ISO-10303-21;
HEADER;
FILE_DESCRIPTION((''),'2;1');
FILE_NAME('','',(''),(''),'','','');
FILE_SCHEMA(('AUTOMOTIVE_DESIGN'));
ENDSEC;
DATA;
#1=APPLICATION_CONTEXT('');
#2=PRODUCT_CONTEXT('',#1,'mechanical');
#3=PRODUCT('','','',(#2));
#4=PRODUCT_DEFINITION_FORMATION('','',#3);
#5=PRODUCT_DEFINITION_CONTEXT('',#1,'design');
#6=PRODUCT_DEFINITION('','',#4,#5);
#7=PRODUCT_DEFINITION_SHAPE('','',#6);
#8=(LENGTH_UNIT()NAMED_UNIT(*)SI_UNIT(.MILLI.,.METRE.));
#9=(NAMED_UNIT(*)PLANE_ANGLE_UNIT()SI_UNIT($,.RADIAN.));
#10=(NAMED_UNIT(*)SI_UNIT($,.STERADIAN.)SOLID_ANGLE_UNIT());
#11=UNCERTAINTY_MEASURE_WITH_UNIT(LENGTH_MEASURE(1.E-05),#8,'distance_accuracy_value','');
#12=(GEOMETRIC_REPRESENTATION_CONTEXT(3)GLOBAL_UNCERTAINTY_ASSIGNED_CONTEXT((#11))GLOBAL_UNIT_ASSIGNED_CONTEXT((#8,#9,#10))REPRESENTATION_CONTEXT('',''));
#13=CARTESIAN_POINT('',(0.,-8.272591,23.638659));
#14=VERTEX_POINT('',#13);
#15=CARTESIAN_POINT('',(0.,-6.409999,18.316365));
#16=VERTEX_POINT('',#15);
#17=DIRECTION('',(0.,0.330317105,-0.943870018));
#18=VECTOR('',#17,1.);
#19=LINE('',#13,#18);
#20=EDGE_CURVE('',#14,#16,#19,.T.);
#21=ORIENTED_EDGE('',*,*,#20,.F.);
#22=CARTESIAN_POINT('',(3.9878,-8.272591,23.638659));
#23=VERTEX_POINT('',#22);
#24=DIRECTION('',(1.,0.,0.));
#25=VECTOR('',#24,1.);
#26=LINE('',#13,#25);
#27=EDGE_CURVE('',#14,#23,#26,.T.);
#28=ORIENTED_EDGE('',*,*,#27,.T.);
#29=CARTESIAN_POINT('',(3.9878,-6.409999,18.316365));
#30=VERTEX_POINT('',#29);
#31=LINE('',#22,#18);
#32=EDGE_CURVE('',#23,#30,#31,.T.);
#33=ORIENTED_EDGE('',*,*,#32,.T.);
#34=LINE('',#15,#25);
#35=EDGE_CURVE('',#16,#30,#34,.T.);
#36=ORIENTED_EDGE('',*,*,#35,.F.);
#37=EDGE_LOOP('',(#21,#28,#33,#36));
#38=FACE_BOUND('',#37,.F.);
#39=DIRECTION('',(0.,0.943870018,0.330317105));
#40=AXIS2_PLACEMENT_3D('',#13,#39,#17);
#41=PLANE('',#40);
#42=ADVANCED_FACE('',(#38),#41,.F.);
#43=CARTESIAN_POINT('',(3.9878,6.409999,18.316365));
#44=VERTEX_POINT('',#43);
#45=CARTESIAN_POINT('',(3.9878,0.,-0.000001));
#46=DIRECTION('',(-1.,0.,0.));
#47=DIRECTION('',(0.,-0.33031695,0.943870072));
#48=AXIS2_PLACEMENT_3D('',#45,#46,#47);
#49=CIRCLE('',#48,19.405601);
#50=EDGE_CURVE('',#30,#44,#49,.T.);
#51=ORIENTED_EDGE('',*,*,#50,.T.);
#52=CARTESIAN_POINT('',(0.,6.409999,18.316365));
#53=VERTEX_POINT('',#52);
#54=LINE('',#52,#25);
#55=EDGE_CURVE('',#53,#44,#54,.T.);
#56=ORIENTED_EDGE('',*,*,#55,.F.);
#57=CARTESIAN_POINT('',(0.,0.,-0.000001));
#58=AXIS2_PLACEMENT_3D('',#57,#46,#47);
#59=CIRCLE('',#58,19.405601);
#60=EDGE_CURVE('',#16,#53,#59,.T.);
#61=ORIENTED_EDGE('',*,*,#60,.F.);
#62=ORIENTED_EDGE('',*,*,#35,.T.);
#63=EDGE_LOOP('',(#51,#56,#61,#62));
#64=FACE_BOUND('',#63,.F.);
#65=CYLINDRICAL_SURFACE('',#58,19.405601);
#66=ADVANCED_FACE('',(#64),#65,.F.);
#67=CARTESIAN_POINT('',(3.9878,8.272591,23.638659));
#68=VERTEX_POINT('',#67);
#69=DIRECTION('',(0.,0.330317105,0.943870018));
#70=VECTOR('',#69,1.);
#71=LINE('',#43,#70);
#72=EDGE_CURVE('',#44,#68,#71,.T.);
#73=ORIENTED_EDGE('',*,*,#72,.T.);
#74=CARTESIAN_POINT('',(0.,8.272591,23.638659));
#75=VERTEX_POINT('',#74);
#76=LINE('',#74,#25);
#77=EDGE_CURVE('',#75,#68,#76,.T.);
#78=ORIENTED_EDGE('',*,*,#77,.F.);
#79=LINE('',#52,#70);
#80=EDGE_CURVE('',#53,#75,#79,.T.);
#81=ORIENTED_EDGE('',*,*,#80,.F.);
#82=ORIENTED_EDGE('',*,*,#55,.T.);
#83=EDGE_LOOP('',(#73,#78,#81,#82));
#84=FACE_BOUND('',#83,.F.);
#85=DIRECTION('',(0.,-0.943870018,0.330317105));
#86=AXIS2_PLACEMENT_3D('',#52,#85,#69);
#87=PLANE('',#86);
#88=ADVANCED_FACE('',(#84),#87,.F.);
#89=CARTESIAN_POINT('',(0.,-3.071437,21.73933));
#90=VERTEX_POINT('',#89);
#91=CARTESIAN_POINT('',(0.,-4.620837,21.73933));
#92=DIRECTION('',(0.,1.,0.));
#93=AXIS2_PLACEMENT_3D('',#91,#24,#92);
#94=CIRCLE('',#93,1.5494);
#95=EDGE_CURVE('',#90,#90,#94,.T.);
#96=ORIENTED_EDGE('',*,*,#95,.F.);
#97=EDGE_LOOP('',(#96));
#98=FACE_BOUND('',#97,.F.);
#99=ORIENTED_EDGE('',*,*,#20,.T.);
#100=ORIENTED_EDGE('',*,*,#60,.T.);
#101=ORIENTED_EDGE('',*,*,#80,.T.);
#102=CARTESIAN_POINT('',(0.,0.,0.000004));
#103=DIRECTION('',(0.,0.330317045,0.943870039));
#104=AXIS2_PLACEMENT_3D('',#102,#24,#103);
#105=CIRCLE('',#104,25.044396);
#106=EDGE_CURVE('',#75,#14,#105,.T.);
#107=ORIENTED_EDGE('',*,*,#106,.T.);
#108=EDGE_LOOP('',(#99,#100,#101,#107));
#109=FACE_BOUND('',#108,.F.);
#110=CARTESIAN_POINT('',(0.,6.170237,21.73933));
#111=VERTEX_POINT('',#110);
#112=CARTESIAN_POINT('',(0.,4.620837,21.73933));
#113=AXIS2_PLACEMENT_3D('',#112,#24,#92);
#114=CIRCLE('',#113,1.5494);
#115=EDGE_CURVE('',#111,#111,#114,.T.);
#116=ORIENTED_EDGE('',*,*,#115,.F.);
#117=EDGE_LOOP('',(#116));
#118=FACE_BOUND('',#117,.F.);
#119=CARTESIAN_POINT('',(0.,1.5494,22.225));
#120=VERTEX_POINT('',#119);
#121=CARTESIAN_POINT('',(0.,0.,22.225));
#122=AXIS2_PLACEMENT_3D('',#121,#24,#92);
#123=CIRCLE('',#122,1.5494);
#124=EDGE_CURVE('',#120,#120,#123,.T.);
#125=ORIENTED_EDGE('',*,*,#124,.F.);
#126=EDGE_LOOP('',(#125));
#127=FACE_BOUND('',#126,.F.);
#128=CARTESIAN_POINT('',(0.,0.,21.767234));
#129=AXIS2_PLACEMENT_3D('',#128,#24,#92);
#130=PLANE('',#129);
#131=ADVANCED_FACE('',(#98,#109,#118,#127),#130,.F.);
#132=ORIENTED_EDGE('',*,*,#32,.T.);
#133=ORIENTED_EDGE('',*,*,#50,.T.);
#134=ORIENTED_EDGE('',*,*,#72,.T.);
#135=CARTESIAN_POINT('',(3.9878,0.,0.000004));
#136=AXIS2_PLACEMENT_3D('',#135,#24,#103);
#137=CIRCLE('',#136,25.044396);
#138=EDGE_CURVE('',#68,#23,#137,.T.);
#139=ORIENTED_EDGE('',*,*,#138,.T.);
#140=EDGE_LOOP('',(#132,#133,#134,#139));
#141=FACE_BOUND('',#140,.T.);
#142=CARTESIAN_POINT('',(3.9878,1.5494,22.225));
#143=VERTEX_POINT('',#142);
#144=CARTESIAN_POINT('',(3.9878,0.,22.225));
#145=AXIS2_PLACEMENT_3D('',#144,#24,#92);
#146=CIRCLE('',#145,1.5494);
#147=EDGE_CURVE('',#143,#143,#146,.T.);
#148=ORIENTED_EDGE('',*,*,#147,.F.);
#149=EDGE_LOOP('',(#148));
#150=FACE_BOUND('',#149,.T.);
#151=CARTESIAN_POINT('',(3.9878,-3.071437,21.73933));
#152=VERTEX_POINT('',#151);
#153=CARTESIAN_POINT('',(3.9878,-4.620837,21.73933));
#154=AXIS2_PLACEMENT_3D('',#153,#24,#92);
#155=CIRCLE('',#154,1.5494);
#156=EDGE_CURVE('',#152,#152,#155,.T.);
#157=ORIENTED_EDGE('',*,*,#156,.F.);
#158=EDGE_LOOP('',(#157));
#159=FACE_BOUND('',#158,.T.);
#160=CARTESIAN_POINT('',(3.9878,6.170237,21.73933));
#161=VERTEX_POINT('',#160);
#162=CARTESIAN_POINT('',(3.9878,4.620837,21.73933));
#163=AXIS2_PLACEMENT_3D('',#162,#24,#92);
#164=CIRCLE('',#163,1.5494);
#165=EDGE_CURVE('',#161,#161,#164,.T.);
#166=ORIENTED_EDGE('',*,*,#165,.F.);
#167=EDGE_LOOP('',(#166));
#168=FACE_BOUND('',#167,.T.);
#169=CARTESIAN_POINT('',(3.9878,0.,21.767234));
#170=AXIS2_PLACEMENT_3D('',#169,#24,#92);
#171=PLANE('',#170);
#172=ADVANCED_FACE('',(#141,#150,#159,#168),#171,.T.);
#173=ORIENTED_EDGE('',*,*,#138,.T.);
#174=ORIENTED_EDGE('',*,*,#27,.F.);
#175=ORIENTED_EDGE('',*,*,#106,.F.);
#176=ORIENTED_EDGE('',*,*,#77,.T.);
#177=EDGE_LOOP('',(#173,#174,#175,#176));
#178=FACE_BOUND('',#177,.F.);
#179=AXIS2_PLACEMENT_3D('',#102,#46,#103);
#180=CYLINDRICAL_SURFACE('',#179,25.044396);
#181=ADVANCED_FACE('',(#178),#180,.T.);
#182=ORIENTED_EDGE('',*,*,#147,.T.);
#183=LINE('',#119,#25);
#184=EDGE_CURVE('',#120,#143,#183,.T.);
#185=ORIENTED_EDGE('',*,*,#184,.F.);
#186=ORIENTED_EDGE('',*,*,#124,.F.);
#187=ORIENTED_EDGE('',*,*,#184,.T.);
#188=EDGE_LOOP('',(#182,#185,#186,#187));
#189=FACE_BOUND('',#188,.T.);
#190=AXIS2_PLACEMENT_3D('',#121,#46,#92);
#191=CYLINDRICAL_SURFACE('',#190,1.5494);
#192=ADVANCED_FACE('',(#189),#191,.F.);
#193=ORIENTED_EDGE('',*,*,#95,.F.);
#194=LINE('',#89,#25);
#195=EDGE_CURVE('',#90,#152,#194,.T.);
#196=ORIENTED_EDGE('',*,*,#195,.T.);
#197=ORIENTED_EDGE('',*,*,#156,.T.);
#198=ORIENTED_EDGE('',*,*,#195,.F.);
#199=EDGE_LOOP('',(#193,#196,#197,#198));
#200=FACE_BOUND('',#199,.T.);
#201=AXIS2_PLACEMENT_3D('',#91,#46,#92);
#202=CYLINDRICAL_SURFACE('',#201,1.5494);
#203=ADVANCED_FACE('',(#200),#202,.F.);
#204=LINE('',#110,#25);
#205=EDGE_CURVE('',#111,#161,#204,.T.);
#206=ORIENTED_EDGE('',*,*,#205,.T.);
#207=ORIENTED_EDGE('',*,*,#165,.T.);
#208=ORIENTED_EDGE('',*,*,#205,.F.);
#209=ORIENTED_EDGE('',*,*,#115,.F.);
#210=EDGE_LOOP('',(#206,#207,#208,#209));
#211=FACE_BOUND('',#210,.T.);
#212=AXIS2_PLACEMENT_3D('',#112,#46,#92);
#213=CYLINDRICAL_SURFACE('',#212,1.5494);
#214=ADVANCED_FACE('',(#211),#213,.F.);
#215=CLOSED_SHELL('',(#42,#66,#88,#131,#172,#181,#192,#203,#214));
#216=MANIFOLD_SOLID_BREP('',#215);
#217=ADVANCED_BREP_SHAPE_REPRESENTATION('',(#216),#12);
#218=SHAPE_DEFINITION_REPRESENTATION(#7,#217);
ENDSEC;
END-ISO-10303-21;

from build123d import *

# Parameters (mm, degrees)
F1_R     = 1.5494
F2_DEPTH = 3.9878


with BuildPart() as f2:
    # F1 (on Right) → F2 (new body)
    with BuildSketch(Plane.YZ):
        with BuildLine():
            ThreePointArc((8.272591, 23.638659), (0, 25.0444), (-8.272591, 23.638659))
            Line((-8.272591, 23.638659), (-6.409999, 18.316365))
            ThreePointArc((-6.409999, 18.316365), (0, 19.4056), (6.409999, 18.316365))
            Line((6.409999, 18.316365), (8.272591, 23.638659))
        make_face()
        with Locations((-4.620837, 21.73933)):
            Circle(F1_R, mode=Mode.SUBTRACT)
        with Locations((0, 22.225)):
            Circle(F1_R, mode=Mode.SUBTRACT)
        with Locations((4.620837, 21.73933)):
            Circle(F1_R, mode=Mode.SUBTRACT)
    extrude(amount=F2_DEPTH)


solid = f2.part
